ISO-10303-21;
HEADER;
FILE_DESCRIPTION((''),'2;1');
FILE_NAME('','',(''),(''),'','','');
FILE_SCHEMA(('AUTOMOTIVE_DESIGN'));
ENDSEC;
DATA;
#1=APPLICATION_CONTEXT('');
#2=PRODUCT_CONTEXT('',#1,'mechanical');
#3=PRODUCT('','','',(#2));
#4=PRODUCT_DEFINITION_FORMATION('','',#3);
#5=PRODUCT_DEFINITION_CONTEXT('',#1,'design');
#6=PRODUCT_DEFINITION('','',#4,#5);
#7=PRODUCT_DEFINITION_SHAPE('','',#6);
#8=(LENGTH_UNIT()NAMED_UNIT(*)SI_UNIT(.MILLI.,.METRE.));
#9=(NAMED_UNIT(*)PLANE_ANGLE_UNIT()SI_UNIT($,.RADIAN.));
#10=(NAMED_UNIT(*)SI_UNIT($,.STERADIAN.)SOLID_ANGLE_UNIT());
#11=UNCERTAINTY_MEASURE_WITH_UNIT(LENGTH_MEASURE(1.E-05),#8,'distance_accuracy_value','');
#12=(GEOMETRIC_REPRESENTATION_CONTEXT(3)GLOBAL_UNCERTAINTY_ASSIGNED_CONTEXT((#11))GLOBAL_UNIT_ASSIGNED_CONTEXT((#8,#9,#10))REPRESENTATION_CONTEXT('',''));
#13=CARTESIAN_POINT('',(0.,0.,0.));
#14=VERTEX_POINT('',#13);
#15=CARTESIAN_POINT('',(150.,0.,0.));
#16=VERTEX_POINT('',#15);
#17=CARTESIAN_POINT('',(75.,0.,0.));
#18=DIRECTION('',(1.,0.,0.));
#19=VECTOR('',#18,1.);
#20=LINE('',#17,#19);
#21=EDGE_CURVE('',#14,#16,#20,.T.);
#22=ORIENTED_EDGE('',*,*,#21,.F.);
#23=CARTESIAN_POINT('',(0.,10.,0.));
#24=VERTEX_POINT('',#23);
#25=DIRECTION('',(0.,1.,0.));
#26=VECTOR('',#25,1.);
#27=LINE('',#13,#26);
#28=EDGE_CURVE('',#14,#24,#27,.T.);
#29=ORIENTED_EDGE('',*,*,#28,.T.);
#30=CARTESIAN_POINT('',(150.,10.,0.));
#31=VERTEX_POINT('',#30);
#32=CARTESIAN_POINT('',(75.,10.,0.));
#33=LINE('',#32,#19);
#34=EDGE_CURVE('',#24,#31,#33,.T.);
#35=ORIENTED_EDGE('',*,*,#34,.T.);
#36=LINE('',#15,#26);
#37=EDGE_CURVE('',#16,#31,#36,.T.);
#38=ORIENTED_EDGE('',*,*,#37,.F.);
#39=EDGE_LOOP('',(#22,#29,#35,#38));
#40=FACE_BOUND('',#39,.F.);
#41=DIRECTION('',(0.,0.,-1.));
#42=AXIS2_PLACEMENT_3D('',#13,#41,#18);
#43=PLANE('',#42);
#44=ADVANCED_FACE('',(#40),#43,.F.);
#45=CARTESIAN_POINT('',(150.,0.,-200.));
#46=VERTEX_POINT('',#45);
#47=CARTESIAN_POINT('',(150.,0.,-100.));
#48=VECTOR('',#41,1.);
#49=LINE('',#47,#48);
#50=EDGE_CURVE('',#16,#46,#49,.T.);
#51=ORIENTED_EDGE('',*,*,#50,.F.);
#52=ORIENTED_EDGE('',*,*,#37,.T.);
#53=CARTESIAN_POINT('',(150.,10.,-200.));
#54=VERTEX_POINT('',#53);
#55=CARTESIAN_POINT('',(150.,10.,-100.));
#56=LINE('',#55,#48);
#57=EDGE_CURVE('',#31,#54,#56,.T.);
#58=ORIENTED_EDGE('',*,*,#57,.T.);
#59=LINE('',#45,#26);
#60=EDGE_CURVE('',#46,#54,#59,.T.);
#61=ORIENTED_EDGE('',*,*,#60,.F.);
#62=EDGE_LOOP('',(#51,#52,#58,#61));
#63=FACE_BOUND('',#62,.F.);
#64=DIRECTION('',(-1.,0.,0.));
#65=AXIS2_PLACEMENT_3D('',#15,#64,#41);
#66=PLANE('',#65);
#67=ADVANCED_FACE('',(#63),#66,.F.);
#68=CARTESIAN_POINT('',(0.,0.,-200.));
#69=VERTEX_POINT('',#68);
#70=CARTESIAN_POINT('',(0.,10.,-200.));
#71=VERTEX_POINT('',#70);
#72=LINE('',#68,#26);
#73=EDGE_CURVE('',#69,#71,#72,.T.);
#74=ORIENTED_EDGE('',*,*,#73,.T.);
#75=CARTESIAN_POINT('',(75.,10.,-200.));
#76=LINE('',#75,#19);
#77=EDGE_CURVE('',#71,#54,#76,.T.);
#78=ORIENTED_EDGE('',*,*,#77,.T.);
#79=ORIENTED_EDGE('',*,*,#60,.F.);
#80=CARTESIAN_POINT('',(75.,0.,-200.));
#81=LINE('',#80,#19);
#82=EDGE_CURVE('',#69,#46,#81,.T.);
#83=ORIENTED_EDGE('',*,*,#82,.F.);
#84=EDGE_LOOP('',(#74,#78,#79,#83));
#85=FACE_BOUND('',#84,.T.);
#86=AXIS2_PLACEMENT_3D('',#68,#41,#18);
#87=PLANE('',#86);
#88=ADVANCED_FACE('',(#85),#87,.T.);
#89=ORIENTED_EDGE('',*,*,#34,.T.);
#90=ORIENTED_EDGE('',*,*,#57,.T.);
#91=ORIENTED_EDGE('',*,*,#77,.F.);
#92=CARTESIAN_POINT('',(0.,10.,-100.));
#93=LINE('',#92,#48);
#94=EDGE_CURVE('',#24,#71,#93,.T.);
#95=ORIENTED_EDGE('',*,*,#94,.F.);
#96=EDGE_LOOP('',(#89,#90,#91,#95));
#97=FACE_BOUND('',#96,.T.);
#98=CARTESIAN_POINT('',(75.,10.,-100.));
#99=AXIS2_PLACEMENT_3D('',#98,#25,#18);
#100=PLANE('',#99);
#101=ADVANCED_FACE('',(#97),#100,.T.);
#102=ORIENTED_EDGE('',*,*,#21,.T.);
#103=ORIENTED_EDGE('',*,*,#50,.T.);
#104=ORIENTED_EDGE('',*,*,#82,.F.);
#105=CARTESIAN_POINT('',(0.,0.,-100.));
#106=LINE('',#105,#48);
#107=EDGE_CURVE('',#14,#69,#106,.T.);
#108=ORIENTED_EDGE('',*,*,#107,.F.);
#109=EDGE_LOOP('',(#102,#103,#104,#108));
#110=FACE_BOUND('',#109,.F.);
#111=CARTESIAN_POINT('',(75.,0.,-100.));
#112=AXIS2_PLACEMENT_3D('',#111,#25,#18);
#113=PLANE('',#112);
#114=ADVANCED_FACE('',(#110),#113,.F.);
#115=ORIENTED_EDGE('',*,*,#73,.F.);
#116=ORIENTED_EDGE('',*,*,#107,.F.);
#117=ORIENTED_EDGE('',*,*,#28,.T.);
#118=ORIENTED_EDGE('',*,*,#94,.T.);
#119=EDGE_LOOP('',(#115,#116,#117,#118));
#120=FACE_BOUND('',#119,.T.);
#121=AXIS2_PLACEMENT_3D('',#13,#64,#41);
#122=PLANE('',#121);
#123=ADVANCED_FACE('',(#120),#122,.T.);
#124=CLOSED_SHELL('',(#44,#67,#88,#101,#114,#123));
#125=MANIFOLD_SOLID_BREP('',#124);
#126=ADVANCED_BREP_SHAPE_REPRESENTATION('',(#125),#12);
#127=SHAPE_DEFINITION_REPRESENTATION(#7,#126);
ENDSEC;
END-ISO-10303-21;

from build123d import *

# Parameters (mm, degrees)
SKETCH_1_W      = 150
SKETCH_1_H      = 200
EXTRUDE_1_DEPTH = 10


with BuildPart() as part:
    # Эскиз1 → Бобышка-Вытянуть1 (new body)
    with BuildSketch(Plane(origin=(0, 0, 0), x_dir=(1, 0, 0), z_dir=(0, 1, 0))):
        with Locations((75, 100)):
            Rectangle(SKETCH_1_W, SKETCH_1_H)
    extrude(amount=EXTRUDE_1_DEPTH)


solid = part.part
